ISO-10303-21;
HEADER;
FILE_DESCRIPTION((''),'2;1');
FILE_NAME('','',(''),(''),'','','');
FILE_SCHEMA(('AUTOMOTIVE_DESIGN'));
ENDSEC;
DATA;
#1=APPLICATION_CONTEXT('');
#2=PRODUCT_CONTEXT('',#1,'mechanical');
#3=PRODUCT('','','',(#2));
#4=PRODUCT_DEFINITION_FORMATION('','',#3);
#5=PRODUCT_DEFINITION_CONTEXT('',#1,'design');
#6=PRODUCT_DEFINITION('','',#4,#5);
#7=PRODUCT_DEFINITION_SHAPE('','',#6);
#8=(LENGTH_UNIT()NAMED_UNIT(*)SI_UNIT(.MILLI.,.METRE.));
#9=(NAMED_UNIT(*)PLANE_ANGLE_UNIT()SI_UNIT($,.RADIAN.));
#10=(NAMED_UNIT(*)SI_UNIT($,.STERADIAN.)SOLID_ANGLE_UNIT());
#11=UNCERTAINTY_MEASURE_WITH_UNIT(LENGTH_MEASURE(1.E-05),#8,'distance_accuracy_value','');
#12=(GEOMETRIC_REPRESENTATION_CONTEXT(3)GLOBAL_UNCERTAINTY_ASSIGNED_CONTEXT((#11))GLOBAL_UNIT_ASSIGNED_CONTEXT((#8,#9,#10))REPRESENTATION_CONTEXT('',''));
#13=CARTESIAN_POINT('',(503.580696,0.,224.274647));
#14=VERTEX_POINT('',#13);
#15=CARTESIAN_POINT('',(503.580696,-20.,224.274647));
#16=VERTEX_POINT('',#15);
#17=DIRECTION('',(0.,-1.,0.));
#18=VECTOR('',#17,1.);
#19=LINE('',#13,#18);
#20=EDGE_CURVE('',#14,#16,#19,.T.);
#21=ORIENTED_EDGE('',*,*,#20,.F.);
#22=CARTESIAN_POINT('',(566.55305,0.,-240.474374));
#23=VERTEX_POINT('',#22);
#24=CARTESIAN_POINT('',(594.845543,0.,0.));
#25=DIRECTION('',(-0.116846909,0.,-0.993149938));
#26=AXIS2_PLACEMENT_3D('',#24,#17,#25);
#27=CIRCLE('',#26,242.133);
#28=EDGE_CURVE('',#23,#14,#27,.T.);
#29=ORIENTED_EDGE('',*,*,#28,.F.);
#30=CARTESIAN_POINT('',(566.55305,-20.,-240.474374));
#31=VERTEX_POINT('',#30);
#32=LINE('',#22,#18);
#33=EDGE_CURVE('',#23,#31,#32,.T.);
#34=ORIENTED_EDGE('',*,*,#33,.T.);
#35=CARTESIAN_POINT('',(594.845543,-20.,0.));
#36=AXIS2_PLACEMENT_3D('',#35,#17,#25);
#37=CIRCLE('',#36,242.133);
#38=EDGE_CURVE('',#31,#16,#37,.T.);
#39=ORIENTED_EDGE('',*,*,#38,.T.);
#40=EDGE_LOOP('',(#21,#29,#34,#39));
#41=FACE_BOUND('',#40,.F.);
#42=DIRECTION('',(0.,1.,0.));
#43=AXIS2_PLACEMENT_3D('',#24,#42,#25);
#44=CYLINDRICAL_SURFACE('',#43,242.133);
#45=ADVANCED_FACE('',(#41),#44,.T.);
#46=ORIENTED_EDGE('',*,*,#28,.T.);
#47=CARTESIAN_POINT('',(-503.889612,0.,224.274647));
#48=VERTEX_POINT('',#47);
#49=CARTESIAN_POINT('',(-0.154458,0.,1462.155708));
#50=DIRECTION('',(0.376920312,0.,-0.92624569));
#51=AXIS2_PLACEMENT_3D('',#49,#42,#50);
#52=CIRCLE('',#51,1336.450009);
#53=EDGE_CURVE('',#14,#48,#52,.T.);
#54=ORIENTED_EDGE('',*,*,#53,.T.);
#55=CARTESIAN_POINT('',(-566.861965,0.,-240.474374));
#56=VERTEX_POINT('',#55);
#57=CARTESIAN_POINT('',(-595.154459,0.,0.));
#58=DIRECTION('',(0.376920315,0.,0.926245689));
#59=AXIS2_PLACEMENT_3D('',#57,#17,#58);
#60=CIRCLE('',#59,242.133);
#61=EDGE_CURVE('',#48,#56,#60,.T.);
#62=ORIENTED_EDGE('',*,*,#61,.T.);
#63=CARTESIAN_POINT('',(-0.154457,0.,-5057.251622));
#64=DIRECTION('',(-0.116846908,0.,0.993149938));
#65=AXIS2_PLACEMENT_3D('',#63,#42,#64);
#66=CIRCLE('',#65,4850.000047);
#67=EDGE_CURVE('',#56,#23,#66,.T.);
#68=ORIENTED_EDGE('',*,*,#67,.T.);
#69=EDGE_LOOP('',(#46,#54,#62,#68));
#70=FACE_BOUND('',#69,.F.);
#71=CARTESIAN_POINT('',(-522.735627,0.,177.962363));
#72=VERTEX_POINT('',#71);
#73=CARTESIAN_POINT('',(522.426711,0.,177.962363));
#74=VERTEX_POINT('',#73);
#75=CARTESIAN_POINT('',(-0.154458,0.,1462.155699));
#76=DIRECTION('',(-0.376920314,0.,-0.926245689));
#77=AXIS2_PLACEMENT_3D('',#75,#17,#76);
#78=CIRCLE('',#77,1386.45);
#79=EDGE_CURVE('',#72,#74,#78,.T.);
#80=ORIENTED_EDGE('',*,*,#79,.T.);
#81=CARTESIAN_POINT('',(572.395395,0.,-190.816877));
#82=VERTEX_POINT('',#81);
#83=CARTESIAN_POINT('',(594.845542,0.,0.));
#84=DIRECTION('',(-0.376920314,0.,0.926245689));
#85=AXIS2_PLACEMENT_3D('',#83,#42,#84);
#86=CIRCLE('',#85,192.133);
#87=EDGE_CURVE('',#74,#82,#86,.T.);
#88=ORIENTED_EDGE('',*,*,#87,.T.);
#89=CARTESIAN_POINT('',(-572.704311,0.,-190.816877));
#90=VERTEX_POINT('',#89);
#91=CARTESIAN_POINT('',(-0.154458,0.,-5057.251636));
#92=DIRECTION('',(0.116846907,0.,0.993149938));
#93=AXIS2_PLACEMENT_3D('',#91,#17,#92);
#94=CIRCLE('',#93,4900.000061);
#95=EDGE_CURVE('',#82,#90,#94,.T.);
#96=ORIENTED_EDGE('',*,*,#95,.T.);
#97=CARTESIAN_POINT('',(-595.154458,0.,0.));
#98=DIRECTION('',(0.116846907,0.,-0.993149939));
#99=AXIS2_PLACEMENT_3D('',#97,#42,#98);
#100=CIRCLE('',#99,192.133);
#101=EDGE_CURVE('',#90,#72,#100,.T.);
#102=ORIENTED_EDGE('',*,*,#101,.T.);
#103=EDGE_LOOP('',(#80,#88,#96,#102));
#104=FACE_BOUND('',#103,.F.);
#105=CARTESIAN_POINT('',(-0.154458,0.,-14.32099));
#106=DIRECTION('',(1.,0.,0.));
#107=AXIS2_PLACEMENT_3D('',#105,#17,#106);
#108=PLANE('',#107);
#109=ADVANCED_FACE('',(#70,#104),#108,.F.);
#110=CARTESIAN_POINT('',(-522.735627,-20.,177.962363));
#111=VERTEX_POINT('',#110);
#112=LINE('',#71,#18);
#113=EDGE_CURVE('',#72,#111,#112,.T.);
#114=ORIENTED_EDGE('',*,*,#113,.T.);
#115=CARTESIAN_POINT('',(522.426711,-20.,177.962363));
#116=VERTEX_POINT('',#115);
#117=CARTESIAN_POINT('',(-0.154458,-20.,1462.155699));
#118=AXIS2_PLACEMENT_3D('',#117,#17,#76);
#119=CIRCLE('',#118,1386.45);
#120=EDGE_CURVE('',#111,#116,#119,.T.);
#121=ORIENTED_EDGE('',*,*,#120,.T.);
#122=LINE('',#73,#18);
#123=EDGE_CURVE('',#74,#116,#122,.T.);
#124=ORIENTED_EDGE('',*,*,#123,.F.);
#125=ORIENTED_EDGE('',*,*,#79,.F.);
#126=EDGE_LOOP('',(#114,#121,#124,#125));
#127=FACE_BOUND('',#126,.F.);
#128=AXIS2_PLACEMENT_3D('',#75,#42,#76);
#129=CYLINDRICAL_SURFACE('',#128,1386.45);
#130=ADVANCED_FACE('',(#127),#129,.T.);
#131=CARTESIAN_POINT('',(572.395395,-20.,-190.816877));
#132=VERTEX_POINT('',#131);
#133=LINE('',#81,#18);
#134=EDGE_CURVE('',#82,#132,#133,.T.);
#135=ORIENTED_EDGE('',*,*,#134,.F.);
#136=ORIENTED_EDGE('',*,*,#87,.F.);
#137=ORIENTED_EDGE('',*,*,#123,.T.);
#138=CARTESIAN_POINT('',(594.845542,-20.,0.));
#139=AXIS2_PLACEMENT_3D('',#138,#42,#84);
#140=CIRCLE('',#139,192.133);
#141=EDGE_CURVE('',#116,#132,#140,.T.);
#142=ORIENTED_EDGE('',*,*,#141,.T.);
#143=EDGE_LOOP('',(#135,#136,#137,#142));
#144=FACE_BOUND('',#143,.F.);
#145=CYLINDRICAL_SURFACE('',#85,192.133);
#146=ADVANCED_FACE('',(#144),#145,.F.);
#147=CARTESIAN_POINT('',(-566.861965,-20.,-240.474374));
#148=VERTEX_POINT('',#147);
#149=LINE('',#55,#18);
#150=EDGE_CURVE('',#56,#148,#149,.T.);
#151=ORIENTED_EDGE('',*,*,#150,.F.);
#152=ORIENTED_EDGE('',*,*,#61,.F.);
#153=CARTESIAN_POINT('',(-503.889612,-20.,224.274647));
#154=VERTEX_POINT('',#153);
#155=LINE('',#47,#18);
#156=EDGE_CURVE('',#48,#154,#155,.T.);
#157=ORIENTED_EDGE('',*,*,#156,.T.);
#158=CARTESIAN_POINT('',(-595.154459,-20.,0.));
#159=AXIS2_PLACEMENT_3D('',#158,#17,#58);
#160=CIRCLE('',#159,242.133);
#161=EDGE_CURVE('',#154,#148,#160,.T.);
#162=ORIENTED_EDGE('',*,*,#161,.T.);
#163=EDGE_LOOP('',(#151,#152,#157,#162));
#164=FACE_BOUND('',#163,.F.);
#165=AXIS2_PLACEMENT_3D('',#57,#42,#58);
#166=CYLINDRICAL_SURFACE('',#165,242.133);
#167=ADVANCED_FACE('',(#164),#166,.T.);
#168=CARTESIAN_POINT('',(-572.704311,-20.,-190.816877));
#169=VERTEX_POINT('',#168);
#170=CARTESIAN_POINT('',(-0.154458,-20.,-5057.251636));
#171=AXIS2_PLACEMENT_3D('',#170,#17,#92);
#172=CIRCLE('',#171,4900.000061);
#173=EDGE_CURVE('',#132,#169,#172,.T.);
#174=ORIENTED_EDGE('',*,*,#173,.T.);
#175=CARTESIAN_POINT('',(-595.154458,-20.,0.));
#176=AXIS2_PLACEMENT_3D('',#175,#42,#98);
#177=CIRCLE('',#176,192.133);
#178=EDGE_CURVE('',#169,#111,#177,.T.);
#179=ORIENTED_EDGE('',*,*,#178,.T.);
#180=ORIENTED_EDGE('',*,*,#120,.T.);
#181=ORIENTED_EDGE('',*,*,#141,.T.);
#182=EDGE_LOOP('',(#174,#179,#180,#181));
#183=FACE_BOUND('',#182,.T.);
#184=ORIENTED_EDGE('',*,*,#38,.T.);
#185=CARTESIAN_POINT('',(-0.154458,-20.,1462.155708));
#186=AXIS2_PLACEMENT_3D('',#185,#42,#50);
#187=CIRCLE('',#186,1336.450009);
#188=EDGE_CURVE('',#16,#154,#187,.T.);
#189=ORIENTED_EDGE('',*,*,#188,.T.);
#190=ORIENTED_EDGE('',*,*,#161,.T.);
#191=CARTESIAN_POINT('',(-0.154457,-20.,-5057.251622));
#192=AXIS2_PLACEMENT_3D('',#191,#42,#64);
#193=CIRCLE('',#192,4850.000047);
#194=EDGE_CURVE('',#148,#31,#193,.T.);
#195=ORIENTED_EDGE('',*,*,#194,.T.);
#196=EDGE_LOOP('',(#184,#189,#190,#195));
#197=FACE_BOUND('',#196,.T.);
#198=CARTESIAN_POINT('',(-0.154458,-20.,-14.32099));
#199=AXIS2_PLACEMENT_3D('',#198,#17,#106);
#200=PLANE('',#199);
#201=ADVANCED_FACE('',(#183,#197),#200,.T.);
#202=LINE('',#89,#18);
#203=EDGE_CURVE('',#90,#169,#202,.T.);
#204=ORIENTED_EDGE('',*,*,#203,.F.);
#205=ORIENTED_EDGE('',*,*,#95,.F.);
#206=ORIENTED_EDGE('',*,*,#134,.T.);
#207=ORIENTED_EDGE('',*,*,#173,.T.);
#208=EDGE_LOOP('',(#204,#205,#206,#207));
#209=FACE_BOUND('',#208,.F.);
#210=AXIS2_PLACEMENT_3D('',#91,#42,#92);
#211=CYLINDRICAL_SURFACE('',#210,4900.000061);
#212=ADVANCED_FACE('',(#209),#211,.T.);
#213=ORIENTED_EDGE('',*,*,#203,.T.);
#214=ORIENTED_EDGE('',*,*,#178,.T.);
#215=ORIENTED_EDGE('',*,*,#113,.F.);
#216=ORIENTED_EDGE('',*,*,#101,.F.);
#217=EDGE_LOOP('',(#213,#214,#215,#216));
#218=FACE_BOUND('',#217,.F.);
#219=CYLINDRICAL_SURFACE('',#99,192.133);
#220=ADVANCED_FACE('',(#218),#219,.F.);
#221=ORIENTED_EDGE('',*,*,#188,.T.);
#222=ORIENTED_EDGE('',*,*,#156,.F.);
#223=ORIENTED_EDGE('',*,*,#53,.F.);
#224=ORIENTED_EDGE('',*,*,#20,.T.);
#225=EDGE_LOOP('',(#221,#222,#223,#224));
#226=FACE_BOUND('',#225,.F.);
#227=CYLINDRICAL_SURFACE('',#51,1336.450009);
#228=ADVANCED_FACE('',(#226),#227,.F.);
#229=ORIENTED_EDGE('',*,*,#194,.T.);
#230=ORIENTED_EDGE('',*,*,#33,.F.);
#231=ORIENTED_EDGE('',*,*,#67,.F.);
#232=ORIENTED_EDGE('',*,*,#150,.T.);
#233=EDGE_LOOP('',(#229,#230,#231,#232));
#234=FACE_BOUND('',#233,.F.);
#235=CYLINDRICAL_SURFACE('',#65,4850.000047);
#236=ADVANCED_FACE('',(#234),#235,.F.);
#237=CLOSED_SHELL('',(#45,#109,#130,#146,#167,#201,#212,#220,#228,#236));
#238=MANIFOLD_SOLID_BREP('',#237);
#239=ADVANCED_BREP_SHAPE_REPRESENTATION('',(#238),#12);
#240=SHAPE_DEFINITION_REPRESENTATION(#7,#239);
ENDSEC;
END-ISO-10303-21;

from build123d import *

# Parameters (mm, degrees)
F1_DEPTH = 20


with BuildPart() as f1:
    # F0 (on Front) → F1 (new body)
    with BuildSketch(Plane.XZ):
        with BuildLine():
            ThreePointArc((503.580696, 224.274647), (-0.154458, 125.705699), (-503.889612, 224.274647))
            ThreePointArc((-503.889612, 224.274647), (-835.094873, 32.511338), (-566.861965, -240.474374))
            ThreePointArc((-566.861965, -240.474374), (-0.154458, -207.251575), (566.55305, -240.474374))
            ThreePointArc((566.55305, -240.474374), (834.785957, 32.511338), (503.580696, 224.274647))
        make_face()
        with BuildLine():
            ThreePointArc((-572.704311, -190.816877), (-785.547637, 25.797809), (-522.735627, 177.962363))
            ThreePointArc((-522.735627, 177.962363), (-0.154458, 75.705699), (522.426711, 177.962363))
            ThreePointArc((522.426711, 177.962363), (785.238721, 25.797809), (572.395395, -190.816877))
            ThreePointArc((572.395395, -190.816877), (-0.154458, -157.251575), (-572.704311, -190.816877))
        make_face(mode=Mode.SUBTRACT)
    extrude(amount=F1_DEPTH)


solid = f1.part
